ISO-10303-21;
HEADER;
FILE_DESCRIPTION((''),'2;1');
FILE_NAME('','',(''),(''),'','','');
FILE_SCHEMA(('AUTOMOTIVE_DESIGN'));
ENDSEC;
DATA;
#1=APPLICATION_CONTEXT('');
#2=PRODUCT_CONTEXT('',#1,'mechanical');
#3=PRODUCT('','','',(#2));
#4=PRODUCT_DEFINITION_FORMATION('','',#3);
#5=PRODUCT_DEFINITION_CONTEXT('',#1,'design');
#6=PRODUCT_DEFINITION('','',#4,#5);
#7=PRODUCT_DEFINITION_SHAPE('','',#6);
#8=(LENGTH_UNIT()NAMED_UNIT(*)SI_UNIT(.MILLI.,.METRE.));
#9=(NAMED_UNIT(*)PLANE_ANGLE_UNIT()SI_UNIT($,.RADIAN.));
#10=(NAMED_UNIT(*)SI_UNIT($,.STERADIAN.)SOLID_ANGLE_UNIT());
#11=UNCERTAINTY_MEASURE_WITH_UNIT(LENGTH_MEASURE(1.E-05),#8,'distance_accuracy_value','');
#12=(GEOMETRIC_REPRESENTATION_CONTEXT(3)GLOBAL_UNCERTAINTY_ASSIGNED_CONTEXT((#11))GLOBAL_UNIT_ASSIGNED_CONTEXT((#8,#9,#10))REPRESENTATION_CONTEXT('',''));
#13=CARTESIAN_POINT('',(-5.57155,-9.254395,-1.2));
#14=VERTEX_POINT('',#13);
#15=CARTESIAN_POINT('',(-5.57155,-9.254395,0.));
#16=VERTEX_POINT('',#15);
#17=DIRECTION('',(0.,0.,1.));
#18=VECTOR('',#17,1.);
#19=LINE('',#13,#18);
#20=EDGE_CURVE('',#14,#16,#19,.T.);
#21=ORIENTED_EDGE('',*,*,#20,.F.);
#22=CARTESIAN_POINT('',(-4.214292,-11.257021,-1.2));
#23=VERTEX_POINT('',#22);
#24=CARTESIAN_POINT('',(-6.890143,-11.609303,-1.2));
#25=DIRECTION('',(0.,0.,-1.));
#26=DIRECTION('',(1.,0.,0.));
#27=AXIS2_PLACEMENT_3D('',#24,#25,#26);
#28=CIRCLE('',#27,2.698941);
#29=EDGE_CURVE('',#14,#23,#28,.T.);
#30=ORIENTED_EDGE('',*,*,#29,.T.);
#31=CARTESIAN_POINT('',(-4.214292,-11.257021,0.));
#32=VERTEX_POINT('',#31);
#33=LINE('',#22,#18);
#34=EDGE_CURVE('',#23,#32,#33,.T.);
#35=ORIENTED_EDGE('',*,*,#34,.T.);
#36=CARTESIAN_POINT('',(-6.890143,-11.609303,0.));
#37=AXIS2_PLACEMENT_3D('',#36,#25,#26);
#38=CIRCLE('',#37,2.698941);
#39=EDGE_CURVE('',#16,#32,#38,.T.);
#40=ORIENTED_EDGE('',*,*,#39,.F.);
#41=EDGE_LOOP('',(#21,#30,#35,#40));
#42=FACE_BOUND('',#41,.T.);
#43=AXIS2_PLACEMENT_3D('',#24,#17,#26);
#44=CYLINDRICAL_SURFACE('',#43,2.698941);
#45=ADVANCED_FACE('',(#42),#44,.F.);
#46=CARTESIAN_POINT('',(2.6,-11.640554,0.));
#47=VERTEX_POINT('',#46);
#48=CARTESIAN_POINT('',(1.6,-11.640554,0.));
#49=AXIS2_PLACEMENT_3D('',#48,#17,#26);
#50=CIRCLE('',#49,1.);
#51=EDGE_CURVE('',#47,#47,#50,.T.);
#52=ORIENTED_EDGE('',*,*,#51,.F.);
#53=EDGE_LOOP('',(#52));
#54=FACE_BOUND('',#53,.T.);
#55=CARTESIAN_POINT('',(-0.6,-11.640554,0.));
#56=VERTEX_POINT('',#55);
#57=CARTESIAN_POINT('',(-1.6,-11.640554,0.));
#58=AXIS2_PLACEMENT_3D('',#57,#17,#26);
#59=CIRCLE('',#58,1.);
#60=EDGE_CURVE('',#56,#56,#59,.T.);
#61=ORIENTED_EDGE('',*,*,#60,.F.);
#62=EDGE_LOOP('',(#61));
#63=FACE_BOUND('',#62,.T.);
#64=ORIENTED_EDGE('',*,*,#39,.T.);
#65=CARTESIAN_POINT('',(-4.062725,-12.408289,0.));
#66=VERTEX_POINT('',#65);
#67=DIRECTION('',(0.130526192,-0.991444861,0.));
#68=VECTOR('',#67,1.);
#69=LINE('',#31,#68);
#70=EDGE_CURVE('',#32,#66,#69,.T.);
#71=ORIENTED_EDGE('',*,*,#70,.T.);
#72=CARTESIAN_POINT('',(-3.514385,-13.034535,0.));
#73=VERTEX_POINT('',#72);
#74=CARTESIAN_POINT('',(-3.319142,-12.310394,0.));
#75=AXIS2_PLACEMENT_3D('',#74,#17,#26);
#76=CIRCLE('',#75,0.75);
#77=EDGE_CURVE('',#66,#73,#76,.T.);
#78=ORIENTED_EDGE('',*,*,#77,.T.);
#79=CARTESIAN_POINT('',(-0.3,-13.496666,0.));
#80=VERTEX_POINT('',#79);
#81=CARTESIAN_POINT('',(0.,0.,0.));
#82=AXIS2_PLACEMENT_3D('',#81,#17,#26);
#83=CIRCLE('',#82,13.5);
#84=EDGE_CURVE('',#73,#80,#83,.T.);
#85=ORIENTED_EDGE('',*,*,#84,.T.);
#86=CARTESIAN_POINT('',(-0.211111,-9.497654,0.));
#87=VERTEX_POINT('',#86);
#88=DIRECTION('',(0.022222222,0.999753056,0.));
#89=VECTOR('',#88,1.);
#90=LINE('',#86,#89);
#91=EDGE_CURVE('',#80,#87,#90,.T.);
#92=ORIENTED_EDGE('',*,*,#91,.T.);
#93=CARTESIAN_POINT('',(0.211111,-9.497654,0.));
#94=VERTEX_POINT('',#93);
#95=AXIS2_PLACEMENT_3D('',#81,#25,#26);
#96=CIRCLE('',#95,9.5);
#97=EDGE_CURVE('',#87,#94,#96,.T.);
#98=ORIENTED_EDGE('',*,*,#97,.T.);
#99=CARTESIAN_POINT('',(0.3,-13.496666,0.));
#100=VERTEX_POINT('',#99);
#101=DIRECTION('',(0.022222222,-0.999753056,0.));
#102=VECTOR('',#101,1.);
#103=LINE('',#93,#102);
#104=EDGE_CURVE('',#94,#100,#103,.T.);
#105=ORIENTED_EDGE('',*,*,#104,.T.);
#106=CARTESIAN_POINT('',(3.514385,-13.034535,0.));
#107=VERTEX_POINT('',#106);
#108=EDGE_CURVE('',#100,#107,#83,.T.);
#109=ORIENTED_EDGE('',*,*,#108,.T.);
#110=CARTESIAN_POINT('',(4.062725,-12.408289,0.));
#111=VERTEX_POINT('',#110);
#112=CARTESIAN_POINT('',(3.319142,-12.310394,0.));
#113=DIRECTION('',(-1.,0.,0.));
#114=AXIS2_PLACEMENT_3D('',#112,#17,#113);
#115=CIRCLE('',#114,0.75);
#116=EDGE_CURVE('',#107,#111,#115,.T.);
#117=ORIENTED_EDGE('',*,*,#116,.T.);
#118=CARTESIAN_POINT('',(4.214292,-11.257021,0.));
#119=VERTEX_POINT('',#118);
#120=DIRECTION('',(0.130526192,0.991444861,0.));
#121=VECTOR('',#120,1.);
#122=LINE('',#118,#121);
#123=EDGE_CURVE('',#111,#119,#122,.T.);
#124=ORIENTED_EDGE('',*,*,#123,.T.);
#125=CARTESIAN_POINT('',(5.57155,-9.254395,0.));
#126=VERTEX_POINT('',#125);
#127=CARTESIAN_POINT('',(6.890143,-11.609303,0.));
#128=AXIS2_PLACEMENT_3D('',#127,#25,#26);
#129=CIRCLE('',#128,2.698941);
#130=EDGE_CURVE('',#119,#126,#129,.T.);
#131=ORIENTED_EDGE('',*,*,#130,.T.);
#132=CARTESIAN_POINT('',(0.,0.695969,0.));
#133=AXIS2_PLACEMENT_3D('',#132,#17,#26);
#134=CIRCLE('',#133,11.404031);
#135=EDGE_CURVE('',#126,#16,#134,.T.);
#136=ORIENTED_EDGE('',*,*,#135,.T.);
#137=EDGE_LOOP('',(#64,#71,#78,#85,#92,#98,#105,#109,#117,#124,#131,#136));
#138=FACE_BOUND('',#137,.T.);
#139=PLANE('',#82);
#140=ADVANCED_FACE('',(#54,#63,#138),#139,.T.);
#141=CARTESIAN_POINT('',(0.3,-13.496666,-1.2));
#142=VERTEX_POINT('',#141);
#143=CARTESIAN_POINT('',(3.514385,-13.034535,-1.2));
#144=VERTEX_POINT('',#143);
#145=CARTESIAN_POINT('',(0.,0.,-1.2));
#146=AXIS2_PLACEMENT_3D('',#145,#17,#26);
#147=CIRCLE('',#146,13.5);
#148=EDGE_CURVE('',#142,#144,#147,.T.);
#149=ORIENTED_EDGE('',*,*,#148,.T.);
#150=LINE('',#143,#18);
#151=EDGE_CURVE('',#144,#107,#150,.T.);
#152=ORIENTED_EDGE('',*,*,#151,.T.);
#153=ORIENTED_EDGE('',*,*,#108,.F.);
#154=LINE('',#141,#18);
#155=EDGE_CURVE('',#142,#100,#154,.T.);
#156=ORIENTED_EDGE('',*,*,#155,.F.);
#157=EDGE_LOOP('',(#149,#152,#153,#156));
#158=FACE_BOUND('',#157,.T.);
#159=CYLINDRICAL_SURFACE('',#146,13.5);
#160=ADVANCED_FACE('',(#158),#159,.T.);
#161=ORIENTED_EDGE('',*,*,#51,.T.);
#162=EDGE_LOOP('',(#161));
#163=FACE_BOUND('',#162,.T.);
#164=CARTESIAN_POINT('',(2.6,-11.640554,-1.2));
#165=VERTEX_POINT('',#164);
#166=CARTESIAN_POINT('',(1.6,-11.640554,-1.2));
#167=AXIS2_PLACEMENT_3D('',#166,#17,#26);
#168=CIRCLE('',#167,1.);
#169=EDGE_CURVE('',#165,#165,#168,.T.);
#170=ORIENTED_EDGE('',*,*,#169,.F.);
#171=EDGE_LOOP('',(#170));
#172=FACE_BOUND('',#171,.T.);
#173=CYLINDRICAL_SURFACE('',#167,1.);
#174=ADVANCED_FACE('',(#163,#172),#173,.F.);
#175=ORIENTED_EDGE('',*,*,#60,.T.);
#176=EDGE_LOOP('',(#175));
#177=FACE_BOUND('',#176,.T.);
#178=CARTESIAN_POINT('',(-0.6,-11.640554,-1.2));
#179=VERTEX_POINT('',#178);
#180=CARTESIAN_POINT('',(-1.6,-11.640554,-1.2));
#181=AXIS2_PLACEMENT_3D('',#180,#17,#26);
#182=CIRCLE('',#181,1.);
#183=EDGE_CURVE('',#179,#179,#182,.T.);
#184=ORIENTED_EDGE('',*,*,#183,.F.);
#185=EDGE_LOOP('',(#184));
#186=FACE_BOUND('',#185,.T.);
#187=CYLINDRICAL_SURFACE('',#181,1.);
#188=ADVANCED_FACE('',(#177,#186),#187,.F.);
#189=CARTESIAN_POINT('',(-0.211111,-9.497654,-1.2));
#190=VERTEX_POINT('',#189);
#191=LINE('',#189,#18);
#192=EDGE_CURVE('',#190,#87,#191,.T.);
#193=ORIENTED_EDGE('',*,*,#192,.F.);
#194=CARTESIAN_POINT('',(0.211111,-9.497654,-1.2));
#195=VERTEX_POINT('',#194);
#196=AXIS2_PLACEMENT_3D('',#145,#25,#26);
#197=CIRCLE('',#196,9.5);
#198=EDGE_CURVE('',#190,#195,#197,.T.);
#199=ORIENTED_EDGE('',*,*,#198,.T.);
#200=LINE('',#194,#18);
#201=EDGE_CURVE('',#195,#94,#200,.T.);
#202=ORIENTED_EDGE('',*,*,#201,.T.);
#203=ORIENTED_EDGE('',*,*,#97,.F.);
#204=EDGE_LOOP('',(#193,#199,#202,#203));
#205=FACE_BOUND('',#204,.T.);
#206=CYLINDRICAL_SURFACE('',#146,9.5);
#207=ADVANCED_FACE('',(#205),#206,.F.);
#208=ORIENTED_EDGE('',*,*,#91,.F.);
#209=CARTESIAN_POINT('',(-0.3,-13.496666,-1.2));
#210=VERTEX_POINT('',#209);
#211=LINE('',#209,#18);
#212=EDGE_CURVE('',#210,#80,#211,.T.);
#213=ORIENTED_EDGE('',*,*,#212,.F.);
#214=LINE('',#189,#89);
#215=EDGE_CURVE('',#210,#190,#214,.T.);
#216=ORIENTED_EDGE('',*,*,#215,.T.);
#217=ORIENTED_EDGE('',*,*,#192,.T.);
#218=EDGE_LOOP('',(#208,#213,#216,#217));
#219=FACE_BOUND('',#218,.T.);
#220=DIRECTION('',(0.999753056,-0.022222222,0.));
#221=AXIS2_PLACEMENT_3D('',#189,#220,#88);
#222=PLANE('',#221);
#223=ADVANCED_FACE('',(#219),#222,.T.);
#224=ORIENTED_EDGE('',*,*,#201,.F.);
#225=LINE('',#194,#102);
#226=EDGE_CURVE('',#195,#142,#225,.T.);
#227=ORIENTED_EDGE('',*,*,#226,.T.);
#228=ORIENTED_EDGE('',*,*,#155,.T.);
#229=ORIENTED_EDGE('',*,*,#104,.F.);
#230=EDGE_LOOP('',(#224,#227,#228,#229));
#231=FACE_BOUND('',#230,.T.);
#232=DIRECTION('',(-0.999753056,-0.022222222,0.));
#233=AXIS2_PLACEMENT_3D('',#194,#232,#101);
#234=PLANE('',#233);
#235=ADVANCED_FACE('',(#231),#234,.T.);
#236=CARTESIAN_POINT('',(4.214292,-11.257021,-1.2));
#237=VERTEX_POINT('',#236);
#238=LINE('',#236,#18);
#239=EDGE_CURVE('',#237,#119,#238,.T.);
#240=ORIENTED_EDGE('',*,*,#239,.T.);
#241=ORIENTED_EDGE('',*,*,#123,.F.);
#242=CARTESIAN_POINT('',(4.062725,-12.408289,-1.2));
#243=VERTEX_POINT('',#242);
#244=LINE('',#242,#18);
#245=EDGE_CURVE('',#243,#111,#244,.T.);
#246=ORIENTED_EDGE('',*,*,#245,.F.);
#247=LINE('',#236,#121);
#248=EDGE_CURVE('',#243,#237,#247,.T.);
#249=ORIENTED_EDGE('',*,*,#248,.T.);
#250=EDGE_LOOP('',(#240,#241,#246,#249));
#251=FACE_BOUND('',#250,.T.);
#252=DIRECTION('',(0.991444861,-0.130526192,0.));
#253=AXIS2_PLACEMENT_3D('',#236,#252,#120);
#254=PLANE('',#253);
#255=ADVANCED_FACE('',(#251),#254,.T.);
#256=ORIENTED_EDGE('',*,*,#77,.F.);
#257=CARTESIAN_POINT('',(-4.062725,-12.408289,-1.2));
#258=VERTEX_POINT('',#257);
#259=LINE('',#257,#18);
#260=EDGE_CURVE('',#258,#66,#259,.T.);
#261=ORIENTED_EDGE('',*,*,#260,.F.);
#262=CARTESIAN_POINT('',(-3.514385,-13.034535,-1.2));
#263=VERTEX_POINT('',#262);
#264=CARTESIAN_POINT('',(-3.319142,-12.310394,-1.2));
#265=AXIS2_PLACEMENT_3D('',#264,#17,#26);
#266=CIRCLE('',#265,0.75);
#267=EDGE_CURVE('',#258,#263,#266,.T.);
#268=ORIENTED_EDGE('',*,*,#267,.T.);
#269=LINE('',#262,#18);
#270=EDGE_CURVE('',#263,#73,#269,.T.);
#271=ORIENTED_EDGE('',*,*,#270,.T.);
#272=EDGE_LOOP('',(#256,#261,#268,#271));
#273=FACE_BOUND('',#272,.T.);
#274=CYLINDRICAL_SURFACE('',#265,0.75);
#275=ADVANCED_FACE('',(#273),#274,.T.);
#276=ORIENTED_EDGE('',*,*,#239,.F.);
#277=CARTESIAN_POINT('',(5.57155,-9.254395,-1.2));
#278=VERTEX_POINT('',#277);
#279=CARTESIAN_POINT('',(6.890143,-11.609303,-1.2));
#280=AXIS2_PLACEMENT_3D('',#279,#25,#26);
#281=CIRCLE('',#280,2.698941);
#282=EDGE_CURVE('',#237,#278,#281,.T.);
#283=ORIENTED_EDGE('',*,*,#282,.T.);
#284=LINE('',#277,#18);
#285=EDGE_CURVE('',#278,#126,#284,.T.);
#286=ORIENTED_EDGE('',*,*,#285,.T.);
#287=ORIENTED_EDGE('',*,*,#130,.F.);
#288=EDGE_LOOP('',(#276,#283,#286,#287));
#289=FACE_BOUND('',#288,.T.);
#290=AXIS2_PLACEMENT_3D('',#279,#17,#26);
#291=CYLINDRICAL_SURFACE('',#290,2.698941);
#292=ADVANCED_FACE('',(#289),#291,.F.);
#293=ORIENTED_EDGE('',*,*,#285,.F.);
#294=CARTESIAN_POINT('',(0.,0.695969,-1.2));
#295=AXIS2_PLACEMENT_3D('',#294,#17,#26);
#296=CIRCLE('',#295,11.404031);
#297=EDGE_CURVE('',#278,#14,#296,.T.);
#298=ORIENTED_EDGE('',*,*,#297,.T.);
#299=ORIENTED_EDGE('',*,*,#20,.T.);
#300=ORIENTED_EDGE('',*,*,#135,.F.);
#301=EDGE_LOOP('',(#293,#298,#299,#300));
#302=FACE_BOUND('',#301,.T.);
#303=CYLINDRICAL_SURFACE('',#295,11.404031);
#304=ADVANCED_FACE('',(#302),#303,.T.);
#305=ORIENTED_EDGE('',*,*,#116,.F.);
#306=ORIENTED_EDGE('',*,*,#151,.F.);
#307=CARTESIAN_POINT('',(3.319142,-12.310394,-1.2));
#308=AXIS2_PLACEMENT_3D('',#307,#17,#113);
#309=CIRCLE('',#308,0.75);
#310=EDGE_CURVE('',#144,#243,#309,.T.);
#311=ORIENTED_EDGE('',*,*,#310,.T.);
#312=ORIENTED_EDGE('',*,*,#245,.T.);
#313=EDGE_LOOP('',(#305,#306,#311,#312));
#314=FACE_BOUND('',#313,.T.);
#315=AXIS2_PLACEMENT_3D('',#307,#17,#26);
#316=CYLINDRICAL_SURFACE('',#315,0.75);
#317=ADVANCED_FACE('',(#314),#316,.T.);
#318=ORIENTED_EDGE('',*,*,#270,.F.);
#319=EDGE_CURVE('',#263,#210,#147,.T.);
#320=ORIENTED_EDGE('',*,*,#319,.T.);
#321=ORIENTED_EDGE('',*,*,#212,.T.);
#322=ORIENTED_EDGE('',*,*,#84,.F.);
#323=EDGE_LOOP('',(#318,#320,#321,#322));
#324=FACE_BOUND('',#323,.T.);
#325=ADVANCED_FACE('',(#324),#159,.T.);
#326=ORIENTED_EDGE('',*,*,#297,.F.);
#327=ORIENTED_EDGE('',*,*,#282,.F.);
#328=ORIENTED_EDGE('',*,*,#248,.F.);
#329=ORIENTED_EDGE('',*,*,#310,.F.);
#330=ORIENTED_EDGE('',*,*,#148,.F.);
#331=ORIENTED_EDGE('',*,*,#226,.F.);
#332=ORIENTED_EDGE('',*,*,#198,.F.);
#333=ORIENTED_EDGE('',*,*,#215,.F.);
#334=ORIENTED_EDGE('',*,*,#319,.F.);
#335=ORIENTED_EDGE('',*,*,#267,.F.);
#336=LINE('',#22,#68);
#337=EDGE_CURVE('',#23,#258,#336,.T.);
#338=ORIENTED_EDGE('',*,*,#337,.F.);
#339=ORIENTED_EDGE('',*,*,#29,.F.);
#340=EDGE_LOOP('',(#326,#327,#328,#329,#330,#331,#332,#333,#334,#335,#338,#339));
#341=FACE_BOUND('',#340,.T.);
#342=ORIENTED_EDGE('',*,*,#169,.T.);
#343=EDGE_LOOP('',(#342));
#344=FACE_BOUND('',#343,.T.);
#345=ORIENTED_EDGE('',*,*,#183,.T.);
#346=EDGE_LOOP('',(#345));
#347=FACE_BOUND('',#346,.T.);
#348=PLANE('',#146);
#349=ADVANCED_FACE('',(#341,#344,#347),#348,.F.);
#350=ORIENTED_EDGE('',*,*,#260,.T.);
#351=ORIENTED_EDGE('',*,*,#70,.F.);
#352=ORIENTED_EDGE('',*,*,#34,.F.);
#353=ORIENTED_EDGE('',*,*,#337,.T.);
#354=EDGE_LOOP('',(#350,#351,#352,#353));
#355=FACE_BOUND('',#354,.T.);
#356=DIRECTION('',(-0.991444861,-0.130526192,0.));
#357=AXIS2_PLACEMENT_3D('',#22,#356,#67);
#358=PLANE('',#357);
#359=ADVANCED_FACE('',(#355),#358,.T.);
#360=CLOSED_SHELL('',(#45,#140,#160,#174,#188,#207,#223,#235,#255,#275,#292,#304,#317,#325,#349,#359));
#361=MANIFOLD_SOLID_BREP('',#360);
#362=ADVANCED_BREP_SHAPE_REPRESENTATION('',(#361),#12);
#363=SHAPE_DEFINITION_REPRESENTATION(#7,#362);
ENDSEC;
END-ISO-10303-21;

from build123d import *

# Parameters (mm, degrees)
BODYSKE_R  = 1
BODY_DEPTH = 1.2


with BuildPart() as part:
    # BodySke → Body (new body)
    with BuildSketch(Plane.XY):
        with BuildLine():
            Line((0.211111111, -9.497654031), (0.3, -13.496666255))
            ThreePointArc((0.3, -13.496666255), (1.921138978, -13.362605473), (3.51438519, -13.034534772))
            ThreePointArc((3.51438519, -13.034534772), (3.88340678, -12.804463554), (4.062725215, -12.408288596))
            Line((4.062725215, -12.408288596), (4.214292481, -11.257020907))
            ThreePointArc((4.214292481, -11.257020907), (4.655971481, -10.095118144), (5.571549743, -9.254395351))
            ThreePointArc((5.571549743, -9.254395351), (0, 12.1), (-5.571549743, -9.254395351))
            ThreePointArc((-5.571549743, -9.254395351), (-4.655971481, -10.095118144), (-4.214292481, -11.257020907))
            Line((-4.214292481, -11.257020907), (-4.062725215, -12.408288596))
            ThreePointArc((-4.062725215, -12.408288596), (-3.88340678, -12.804463554), (-3.51438519, -13.034534772))
            ThreePointArc((-3.51438519, -13.034534772), (-1.921138978, -13.362605473), (-0.3, -13.496666255))
            Line((-0.3, -13.496666255), (-0.211111111, -9.497654031))
            ThreePointArc((-0.211111111, -9.497654031), (0, 9.5), (0.211111111, -9.497654031))
        make_face()
        with Locations((1.6, -11.640554111)):
            Circle(BODYSKE_R, mode=Mode.SUBTRACT)
        with Locations((-1.6, -11.640554111)):
            Circle(BODYSKE_R, mode=Mode.SUBTRACT)
    extrude(amount=-BODY_DEPTH)


solid = part.part
